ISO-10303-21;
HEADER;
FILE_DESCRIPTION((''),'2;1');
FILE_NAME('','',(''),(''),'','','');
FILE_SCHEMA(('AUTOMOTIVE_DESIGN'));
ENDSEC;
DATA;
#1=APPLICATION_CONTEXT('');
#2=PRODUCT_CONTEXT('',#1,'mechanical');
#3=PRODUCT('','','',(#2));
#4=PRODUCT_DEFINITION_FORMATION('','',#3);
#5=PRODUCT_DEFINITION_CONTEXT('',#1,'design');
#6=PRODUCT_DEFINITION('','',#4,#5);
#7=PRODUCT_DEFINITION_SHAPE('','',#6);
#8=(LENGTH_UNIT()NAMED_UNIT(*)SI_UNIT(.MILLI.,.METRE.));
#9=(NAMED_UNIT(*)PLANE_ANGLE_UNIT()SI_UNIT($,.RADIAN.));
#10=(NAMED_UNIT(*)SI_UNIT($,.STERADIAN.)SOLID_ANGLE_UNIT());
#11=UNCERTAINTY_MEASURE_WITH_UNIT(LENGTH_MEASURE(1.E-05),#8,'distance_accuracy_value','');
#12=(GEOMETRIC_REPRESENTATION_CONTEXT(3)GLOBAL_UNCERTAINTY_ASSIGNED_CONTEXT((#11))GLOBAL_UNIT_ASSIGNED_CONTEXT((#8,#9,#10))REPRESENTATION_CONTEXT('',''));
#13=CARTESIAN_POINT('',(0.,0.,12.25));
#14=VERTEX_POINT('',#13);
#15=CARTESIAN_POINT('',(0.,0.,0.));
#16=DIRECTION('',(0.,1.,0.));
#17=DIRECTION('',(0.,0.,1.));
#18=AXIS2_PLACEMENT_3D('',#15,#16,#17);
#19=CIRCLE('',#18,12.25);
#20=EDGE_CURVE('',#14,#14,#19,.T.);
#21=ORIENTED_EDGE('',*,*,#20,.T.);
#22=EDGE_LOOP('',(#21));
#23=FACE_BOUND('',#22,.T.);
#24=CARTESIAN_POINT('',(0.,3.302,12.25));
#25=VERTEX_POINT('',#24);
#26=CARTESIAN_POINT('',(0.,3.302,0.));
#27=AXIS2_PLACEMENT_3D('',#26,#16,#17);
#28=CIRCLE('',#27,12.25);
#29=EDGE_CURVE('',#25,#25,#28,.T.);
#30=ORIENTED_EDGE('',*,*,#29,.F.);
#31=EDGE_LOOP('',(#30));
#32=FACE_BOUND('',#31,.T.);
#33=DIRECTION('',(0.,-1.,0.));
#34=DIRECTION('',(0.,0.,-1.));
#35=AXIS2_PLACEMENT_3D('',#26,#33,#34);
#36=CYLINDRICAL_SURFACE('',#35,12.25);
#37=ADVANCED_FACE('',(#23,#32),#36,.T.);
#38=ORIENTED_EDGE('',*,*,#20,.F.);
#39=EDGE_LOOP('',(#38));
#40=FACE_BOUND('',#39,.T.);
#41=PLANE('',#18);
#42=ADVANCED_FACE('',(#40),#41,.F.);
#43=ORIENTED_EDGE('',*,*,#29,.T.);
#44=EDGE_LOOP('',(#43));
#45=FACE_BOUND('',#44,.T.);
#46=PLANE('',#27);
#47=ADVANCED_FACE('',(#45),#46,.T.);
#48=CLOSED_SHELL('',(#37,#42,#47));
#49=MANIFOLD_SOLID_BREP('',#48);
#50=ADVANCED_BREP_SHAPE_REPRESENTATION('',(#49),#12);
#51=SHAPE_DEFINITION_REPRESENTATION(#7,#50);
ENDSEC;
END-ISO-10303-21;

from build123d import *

# Parameters (mm, degrees)
SKETCH1_R           = 12.25
BOSS_EXTRUDE1_DEPTH = 3.302


with BuildPart() as part:
    # Sketch1 → Boss-Extrude1 (new body)
    with BuildSketch(Plane(origin=(0, 0, 0), x_dir=(1, 0, 0), z_dir=(0, 1, 0))):
        Circle(SKETCH1_R)
    extrude(amount=BOSS_EXTRUDE1_DEPTH)


solid = part.part
